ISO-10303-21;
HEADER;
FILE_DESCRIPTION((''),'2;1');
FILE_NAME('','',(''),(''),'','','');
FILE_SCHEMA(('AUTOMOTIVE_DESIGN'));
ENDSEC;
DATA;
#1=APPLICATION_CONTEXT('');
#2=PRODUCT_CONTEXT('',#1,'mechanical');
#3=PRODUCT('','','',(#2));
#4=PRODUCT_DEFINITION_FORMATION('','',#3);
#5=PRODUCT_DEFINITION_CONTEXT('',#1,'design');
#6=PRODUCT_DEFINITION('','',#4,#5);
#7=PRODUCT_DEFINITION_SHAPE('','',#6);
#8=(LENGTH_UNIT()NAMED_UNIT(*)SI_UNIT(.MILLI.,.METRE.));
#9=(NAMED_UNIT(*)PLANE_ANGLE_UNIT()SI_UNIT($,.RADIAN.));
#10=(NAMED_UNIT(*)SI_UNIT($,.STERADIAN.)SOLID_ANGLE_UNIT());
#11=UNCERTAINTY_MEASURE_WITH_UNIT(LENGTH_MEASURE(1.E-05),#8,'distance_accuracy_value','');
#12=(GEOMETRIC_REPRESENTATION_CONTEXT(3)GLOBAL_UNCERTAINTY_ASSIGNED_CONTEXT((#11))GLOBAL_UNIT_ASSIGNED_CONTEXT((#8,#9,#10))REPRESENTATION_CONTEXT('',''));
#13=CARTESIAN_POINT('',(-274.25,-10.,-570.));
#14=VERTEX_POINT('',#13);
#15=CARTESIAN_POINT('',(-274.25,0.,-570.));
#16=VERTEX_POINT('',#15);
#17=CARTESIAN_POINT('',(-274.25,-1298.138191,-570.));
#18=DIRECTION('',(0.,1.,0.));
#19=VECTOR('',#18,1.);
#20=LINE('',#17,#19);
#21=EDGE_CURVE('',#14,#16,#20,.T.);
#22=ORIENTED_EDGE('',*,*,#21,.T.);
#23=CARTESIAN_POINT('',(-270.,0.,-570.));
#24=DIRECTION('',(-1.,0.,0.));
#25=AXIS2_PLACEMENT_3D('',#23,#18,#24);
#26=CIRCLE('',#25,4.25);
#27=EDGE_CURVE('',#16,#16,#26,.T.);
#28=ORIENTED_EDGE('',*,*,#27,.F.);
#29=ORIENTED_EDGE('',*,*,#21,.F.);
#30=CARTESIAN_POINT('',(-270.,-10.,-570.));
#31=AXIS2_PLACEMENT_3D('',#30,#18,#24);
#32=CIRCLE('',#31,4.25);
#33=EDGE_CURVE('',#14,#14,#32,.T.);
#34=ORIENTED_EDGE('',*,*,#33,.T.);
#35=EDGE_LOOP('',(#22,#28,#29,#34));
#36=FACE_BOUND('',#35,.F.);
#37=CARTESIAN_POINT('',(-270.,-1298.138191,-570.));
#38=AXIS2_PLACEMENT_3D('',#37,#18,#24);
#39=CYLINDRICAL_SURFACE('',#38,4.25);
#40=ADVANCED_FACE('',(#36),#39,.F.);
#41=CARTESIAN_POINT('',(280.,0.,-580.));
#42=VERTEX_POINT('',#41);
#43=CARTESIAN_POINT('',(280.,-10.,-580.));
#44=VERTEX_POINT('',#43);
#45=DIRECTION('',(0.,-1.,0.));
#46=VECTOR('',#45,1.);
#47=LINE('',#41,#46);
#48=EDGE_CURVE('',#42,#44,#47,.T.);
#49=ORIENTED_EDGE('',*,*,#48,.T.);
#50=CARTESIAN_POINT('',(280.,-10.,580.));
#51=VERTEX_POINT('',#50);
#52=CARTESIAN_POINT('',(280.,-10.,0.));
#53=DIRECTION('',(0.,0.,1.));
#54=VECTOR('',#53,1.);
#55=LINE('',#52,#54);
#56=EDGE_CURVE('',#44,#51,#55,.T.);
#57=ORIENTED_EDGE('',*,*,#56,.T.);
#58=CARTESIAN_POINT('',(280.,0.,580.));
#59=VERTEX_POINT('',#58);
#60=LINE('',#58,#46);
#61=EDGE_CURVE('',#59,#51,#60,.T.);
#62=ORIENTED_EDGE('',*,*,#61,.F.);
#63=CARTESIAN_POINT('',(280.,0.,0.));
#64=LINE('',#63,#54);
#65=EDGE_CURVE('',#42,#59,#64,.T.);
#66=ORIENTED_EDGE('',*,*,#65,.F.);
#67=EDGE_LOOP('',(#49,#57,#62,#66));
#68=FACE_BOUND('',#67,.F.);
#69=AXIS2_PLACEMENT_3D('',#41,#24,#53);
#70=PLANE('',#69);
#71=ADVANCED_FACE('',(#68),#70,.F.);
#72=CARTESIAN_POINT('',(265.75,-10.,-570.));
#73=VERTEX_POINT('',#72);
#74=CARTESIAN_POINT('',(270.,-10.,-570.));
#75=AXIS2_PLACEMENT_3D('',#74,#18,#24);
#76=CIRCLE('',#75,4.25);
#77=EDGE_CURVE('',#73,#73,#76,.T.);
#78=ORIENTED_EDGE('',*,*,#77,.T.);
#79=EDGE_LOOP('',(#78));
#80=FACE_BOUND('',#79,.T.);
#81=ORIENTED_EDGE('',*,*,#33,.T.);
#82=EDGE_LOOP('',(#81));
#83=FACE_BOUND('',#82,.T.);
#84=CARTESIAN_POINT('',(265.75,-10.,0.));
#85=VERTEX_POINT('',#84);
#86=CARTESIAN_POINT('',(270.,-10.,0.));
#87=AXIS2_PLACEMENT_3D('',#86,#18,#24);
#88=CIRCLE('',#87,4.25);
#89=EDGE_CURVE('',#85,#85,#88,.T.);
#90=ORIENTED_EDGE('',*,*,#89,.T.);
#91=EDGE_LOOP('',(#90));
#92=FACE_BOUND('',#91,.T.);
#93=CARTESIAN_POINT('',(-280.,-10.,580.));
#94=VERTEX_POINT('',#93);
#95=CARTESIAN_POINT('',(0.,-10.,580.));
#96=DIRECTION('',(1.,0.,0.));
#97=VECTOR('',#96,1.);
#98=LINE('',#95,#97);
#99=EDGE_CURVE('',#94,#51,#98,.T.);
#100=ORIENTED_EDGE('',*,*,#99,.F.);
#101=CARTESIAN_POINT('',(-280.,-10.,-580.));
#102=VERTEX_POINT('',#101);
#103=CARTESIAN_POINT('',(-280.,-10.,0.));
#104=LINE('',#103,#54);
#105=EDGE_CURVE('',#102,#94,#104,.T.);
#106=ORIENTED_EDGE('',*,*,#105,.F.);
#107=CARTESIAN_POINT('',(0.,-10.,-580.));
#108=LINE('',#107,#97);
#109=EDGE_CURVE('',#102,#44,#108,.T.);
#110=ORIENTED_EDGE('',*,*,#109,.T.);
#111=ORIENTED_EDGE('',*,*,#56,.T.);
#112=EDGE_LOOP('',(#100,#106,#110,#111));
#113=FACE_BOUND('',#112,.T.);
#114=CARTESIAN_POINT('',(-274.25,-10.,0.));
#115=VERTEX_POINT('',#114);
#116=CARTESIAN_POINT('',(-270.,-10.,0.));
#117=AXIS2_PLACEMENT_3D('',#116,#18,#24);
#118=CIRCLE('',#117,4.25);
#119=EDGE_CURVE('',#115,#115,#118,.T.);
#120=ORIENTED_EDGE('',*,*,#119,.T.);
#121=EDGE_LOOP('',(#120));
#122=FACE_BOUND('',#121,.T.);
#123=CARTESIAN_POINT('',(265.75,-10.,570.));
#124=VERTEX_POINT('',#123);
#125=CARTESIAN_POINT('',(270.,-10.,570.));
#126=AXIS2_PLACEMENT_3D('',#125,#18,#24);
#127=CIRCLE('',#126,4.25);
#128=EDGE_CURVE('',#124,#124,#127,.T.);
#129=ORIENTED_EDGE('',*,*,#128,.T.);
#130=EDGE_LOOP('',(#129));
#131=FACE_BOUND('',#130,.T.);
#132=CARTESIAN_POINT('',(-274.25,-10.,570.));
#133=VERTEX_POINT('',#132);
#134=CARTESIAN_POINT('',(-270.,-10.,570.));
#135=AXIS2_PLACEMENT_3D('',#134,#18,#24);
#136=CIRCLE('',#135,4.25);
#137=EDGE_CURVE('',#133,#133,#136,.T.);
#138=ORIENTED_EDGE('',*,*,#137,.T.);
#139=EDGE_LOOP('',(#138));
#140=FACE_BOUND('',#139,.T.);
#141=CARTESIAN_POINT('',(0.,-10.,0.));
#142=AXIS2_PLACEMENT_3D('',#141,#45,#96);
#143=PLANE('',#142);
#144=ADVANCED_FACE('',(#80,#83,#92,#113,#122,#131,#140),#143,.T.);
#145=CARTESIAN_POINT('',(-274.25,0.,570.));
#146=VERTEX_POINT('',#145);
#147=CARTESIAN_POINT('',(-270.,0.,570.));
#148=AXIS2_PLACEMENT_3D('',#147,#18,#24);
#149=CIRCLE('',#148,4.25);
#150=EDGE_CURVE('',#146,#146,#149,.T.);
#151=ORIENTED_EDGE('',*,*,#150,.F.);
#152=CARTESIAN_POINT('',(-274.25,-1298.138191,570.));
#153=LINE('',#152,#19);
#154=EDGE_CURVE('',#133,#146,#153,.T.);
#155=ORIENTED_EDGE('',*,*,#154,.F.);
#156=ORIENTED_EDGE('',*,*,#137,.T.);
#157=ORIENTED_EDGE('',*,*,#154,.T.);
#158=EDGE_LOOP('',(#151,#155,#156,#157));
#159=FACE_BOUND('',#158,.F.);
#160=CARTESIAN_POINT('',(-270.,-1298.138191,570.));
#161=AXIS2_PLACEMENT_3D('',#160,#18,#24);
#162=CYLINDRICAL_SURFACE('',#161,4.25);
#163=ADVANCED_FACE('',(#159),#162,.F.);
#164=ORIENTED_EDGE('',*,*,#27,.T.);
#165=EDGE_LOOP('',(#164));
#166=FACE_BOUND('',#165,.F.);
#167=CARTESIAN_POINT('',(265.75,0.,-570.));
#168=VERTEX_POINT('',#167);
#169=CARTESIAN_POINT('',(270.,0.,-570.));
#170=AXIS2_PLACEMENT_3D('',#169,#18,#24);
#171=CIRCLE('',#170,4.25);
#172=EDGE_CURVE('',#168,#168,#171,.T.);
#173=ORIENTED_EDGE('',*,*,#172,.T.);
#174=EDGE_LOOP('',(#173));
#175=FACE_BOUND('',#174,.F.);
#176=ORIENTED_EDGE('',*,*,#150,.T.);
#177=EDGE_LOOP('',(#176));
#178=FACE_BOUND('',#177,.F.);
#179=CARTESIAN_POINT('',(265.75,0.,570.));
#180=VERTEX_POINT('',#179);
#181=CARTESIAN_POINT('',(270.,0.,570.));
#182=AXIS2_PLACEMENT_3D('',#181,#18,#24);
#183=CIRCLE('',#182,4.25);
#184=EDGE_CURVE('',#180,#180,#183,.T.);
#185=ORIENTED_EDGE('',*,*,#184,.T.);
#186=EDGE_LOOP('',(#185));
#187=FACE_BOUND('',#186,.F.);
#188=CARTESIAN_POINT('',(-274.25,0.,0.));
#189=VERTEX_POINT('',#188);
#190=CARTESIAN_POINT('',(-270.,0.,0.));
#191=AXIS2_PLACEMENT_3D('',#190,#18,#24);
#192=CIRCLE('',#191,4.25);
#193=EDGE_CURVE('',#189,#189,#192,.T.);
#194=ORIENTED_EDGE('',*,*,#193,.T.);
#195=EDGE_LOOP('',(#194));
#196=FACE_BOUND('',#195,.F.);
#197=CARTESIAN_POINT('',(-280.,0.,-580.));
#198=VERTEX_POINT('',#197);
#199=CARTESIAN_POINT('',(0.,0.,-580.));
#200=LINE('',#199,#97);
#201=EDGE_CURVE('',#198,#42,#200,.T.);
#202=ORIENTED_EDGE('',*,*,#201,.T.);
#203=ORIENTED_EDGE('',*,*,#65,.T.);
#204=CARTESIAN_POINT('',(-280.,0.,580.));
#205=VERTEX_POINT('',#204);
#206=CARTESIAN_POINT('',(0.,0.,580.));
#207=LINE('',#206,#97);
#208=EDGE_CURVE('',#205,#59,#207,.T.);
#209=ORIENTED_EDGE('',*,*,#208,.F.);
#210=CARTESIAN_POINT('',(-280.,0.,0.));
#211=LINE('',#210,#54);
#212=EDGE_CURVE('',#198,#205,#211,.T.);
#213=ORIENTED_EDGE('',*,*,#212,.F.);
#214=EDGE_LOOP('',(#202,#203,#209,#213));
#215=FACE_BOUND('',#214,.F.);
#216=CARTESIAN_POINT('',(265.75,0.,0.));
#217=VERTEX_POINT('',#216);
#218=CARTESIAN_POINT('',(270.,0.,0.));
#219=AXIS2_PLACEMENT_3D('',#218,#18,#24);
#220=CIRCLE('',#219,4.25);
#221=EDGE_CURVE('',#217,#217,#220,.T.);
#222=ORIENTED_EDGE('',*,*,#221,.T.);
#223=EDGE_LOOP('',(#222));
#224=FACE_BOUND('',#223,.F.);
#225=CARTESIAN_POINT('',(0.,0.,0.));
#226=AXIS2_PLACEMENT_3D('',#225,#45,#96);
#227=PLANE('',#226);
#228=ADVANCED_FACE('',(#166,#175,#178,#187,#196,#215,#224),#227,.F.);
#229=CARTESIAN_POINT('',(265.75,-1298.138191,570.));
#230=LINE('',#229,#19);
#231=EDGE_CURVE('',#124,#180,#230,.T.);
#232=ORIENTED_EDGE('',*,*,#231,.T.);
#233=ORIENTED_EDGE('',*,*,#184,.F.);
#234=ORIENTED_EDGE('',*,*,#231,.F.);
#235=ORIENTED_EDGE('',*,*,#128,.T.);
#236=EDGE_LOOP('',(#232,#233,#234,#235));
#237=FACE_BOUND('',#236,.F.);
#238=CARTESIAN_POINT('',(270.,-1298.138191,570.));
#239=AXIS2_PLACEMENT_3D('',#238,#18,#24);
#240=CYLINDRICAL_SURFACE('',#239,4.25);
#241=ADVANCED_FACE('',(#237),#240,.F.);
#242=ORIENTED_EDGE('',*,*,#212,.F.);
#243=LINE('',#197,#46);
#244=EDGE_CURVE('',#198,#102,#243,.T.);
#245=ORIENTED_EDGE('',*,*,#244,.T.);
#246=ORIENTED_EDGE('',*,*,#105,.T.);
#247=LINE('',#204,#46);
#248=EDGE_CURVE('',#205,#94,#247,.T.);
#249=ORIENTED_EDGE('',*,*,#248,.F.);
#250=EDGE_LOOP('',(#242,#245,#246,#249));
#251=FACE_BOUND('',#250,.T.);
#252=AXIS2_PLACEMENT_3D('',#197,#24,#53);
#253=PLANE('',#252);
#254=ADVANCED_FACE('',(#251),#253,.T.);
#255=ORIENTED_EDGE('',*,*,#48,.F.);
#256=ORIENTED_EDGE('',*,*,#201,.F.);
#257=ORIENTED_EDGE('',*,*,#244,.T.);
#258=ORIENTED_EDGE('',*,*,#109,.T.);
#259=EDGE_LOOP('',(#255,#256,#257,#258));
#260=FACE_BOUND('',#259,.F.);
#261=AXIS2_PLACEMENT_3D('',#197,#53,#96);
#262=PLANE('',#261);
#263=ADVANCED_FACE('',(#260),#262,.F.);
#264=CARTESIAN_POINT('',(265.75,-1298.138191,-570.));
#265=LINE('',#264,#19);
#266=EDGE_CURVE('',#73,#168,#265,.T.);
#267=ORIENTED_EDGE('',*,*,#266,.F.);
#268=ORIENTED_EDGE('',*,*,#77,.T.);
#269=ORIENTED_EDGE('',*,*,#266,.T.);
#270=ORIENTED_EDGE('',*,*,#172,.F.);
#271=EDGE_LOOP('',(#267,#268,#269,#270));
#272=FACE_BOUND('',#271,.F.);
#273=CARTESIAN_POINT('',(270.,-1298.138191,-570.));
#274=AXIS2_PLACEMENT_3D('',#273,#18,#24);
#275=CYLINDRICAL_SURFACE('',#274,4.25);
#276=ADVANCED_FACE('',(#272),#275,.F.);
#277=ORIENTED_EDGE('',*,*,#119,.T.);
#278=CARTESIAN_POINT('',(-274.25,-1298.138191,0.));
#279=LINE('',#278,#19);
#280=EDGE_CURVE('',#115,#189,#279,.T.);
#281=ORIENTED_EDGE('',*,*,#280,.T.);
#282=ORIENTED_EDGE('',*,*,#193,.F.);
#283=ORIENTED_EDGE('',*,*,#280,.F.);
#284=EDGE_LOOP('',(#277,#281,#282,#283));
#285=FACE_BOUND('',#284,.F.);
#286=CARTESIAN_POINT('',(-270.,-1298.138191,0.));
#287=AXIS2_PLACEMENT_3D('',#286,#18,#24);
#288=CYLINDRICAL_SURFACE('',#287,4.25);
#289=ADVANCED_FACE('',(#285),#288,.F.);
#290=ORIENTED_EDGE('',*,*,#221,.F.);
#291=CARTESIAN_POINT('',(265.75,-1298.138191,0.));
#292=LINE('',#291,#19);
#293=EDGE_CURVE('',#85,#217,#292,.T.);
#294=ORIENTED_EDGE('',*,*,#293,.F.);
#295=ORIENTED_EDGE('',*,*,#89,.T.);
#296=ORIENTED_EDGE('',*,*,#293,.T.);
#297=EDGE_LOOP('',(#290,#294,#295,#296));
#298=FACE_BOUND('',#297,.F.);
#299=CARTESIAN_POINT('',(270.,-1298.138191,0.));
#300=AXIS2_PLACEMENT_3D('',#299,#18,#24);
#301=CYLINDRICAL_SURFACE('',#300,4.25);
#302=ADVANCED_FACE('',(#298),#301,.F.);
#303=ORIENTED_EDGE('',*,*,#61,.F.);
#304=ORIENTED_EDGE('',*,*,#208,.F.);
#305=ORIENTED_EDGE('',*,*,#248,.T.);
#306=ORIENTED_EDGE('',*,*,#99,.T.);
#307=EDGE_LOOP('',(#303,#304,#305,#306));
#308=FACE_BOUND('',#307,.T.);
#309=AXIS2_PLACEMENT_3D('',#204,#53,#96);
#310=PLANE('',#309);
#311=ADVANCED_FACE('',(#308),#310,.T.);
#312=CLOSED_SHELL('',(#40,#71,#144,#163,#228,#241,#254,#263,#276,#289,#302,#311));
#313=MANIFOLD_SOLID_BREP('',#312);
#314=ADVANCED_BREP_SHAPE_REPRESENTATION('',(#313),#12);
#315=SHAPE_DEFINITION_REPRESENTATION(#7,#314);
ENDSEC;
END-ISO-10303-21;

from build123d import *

# Parameters (mm, degrees)
F0_W     = 560
F0_H     = 1160
F1_DEPTH = 10
F3_D     = 8.5


with BuildPart() as f1:
    # F0 (on Front) → F1 (new body)
    with BuildSketch(Plane.XZ):
        Rectangle(F0_W, F0_H)
    extrude(amount=F1_DEPTH)

    # F3 (through all)
    with Locations(Plane.XZ.offset(10)):
        with Locations((-270, 570), (270, 570), (270, 0), (-270, 0), (-270, -570), (270, -570)):
            Hole(F3_D / 2)


solid = f1.part
